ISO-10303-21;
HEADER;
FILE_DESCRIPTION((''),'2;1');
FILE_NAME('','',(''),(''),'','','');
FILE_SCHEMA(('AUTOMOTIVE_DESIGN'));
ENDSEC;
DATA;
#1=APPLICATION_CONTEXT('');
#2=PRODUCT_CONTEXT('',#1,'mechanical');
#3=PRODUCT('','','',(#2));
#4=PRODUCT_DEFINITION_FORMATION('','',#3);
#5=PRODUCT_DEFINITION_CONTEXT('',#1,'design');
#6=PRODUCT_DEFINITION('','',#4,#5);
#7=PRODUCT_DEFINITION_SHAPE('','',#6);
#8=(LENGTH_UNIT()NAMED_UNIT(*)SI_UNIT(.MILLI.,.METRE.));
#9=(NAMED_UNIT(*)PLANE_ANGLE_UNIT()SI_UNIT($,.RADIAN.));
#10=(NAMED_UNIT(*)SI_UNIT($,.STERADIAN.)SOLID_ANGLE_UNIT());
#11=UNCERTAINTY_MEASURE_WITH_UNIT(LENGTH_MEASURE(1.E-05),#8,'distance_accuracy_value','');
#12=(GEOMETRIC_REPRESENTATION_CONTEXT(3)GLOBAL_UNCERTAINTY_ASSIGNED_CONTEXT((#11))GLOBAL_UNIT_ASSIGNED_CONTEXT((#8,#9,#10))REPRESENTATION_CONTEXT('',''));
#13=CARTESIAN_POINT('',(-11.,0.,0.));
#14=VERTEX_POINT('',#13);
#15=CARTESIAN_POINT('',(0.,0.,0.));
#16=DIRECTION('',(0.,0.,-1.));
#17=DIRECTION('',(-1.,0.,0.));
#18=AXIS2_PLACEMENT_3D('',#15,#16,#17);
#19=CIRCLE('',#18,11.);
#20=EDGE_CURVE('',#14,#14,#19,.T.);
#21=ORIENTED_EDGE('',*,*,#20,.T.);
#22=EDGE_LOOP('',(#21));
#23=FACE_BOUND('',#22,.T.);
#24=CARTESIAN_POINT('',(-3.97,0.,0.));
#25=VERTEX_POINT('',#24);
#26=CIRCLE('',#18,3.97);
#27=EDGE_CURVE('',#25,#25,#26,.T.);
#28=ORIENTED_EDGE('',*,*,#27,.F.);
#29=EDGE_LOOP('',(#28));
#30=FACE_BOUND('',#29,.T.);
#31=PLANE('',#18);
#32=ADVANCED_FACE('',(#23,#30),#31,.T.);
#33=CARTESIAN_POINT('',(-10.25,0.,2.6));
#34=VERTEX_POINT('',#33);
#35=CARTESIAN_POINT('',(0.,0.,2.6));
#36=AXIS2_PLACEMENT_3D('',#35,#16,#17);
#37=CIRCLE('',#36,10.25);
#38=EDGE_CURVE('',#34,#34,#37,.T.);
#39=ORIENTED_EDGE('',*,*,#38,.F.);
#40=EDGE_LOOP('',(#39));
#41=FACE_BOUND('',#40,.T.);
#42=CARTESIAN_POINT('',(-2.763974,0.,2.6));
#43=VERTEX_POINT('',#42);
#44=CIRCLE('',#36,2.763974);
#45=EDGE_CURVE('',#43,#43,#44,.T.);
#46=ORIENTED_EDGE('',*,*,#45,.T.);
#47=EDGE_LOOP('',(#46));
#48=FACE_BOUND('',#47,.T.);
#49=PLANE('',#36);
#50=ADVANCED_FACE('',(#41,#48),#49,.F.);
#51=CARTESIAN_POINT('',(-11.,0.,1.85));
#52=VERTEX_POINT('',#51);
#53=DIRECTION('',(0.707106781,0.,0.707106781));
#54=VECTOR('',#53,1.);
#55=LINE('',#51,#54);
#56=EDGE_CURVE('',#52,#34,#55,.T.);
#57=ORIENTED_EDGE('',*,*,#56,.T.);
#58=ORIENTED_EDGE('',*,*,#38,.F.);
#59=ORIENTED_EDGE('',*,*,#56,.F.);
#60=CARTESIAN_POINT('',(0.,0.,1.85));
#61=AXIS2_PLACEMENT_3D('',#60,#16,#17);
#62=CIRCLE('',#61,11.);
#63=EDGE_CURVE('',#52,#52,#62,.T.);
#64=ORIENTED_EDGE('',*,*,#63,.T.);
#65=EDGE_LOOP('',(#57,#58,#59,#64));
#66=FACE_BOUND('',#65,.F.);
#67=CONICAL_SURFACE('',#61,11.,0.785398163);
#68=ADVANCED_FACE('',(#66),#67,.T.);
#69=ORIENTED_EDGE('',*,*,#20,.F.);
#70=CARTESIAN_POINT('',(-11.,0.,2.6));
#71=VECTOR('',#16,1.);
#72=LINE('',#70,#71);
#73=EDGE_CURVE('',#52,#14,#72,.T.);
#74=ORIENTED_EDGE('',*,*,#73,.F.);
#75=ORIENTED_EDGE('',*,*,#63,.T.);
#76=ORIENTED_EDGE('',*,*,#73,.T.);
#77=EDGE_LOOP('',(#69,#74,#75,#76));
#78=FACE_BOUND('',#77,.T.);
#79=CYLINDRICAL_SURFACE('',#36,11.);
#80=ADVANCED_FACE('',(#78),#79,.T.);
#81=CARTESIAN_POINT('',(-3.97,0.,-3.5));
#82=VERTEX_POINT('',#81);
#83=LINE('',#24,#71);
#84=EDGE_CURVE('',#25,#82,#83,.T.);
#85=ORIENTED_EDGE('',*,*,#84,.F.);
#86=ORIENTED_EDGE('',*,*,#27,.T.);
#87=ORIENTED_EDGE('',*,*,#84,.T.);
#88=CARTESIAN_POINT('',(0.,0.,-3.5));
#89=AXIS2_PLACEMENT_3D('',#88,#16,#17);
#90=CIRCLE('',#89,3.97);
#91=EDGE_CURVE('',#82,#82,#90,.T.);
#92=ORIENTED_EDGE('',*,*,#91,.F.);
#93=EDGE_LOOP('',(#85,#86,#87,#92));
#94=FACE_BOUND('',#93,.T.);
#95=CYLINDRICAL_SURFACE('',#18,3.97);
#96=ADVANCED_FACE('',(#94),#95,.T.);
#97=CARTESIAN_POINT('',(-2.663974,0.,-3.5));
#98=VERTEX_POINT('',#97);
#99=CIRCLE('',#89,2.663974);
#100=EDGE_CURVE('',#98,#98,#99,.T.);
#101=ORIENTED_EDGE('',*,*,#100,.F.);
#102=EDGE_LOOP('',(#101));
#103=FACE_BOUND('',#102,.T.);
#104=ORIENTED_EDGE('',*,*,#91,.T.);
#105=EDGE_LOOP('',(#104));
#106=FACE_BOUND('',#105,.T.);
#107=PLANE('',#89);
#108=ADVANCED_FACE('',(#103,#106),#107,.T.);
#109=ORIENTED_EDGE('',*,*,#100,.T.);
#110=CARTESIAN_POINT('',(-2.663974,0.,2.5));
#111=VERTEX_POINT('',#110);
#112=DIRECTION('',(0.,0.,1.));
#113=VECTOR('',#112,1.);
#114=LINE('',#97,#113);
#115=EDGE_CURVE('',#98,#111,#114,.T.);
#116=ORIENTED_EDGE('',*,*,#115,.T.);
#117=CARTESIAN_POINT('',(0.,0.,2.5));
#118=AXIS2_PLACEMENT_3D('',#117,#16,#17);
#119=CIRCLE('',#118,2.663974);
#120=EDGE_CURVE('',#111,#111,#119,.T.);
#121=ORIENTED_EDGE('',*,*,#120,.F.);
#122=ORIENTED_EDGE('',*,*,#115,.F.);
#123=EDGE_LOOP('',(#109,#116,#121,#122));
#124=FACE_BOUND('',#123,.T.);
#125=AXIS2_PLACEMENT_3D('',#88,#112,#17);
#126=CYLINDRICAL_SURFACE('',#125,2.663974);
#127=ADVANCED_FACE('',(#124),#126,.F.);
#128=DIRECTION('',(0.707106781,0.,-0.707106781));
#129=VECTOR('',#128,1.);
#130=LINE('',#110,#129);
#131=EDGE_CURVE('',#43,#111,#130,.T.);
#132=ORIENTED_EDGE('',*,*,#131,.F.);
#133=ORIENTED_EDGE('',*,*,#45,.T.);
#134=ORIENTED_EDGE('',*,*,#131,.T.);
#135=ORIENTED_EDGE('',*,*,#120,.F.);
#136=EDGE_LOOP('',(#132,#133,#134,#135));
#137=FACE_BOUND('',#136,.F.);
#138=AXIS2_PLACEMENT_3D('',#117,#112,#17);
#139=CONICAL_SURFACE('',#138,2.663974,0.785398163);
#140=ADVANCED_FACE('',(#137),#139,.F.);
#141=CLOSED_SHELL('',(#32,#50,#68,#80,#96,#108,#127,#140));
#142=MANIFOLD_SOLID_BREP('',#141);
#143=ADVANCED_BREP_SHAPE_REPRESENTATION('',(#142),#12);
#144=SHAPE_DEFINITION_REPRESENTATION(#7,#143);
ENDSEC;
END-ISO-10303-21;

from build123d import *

# Parameters (mm, degrees)
F2_SIZE = 0.75
F3_SIZE = 0.1


with BuildPart() as f1:
    # F0 (on Front) → F1 (revolve)
    with BuildSketch(Plane.XZ):
        Polygon((-11, 2.6), (-11, 0), (-3.97, 0), (-3.97, -3.5), (-2.663974, -3.5), (-2.663974, 2.6), align=None)
    revolve(axis=Axis((0, 0, -0.45), (0, 0, -1)))

    # F2
    f2_edges = [f1.edges().sort_by_distance(p)[0] for p in [
        (11, 0, 2.6),
    ]]
    chamfer(f2_edges, length=F2_SIZE)

    # F3
    f3_edges = [f1.edges().sort_by_distance(p)[0] for p in [
        (2.663974, 0, 2.6),
    ]]
    chamfer(f3_edges, length=F3_SIZE)


solid = f1.part
